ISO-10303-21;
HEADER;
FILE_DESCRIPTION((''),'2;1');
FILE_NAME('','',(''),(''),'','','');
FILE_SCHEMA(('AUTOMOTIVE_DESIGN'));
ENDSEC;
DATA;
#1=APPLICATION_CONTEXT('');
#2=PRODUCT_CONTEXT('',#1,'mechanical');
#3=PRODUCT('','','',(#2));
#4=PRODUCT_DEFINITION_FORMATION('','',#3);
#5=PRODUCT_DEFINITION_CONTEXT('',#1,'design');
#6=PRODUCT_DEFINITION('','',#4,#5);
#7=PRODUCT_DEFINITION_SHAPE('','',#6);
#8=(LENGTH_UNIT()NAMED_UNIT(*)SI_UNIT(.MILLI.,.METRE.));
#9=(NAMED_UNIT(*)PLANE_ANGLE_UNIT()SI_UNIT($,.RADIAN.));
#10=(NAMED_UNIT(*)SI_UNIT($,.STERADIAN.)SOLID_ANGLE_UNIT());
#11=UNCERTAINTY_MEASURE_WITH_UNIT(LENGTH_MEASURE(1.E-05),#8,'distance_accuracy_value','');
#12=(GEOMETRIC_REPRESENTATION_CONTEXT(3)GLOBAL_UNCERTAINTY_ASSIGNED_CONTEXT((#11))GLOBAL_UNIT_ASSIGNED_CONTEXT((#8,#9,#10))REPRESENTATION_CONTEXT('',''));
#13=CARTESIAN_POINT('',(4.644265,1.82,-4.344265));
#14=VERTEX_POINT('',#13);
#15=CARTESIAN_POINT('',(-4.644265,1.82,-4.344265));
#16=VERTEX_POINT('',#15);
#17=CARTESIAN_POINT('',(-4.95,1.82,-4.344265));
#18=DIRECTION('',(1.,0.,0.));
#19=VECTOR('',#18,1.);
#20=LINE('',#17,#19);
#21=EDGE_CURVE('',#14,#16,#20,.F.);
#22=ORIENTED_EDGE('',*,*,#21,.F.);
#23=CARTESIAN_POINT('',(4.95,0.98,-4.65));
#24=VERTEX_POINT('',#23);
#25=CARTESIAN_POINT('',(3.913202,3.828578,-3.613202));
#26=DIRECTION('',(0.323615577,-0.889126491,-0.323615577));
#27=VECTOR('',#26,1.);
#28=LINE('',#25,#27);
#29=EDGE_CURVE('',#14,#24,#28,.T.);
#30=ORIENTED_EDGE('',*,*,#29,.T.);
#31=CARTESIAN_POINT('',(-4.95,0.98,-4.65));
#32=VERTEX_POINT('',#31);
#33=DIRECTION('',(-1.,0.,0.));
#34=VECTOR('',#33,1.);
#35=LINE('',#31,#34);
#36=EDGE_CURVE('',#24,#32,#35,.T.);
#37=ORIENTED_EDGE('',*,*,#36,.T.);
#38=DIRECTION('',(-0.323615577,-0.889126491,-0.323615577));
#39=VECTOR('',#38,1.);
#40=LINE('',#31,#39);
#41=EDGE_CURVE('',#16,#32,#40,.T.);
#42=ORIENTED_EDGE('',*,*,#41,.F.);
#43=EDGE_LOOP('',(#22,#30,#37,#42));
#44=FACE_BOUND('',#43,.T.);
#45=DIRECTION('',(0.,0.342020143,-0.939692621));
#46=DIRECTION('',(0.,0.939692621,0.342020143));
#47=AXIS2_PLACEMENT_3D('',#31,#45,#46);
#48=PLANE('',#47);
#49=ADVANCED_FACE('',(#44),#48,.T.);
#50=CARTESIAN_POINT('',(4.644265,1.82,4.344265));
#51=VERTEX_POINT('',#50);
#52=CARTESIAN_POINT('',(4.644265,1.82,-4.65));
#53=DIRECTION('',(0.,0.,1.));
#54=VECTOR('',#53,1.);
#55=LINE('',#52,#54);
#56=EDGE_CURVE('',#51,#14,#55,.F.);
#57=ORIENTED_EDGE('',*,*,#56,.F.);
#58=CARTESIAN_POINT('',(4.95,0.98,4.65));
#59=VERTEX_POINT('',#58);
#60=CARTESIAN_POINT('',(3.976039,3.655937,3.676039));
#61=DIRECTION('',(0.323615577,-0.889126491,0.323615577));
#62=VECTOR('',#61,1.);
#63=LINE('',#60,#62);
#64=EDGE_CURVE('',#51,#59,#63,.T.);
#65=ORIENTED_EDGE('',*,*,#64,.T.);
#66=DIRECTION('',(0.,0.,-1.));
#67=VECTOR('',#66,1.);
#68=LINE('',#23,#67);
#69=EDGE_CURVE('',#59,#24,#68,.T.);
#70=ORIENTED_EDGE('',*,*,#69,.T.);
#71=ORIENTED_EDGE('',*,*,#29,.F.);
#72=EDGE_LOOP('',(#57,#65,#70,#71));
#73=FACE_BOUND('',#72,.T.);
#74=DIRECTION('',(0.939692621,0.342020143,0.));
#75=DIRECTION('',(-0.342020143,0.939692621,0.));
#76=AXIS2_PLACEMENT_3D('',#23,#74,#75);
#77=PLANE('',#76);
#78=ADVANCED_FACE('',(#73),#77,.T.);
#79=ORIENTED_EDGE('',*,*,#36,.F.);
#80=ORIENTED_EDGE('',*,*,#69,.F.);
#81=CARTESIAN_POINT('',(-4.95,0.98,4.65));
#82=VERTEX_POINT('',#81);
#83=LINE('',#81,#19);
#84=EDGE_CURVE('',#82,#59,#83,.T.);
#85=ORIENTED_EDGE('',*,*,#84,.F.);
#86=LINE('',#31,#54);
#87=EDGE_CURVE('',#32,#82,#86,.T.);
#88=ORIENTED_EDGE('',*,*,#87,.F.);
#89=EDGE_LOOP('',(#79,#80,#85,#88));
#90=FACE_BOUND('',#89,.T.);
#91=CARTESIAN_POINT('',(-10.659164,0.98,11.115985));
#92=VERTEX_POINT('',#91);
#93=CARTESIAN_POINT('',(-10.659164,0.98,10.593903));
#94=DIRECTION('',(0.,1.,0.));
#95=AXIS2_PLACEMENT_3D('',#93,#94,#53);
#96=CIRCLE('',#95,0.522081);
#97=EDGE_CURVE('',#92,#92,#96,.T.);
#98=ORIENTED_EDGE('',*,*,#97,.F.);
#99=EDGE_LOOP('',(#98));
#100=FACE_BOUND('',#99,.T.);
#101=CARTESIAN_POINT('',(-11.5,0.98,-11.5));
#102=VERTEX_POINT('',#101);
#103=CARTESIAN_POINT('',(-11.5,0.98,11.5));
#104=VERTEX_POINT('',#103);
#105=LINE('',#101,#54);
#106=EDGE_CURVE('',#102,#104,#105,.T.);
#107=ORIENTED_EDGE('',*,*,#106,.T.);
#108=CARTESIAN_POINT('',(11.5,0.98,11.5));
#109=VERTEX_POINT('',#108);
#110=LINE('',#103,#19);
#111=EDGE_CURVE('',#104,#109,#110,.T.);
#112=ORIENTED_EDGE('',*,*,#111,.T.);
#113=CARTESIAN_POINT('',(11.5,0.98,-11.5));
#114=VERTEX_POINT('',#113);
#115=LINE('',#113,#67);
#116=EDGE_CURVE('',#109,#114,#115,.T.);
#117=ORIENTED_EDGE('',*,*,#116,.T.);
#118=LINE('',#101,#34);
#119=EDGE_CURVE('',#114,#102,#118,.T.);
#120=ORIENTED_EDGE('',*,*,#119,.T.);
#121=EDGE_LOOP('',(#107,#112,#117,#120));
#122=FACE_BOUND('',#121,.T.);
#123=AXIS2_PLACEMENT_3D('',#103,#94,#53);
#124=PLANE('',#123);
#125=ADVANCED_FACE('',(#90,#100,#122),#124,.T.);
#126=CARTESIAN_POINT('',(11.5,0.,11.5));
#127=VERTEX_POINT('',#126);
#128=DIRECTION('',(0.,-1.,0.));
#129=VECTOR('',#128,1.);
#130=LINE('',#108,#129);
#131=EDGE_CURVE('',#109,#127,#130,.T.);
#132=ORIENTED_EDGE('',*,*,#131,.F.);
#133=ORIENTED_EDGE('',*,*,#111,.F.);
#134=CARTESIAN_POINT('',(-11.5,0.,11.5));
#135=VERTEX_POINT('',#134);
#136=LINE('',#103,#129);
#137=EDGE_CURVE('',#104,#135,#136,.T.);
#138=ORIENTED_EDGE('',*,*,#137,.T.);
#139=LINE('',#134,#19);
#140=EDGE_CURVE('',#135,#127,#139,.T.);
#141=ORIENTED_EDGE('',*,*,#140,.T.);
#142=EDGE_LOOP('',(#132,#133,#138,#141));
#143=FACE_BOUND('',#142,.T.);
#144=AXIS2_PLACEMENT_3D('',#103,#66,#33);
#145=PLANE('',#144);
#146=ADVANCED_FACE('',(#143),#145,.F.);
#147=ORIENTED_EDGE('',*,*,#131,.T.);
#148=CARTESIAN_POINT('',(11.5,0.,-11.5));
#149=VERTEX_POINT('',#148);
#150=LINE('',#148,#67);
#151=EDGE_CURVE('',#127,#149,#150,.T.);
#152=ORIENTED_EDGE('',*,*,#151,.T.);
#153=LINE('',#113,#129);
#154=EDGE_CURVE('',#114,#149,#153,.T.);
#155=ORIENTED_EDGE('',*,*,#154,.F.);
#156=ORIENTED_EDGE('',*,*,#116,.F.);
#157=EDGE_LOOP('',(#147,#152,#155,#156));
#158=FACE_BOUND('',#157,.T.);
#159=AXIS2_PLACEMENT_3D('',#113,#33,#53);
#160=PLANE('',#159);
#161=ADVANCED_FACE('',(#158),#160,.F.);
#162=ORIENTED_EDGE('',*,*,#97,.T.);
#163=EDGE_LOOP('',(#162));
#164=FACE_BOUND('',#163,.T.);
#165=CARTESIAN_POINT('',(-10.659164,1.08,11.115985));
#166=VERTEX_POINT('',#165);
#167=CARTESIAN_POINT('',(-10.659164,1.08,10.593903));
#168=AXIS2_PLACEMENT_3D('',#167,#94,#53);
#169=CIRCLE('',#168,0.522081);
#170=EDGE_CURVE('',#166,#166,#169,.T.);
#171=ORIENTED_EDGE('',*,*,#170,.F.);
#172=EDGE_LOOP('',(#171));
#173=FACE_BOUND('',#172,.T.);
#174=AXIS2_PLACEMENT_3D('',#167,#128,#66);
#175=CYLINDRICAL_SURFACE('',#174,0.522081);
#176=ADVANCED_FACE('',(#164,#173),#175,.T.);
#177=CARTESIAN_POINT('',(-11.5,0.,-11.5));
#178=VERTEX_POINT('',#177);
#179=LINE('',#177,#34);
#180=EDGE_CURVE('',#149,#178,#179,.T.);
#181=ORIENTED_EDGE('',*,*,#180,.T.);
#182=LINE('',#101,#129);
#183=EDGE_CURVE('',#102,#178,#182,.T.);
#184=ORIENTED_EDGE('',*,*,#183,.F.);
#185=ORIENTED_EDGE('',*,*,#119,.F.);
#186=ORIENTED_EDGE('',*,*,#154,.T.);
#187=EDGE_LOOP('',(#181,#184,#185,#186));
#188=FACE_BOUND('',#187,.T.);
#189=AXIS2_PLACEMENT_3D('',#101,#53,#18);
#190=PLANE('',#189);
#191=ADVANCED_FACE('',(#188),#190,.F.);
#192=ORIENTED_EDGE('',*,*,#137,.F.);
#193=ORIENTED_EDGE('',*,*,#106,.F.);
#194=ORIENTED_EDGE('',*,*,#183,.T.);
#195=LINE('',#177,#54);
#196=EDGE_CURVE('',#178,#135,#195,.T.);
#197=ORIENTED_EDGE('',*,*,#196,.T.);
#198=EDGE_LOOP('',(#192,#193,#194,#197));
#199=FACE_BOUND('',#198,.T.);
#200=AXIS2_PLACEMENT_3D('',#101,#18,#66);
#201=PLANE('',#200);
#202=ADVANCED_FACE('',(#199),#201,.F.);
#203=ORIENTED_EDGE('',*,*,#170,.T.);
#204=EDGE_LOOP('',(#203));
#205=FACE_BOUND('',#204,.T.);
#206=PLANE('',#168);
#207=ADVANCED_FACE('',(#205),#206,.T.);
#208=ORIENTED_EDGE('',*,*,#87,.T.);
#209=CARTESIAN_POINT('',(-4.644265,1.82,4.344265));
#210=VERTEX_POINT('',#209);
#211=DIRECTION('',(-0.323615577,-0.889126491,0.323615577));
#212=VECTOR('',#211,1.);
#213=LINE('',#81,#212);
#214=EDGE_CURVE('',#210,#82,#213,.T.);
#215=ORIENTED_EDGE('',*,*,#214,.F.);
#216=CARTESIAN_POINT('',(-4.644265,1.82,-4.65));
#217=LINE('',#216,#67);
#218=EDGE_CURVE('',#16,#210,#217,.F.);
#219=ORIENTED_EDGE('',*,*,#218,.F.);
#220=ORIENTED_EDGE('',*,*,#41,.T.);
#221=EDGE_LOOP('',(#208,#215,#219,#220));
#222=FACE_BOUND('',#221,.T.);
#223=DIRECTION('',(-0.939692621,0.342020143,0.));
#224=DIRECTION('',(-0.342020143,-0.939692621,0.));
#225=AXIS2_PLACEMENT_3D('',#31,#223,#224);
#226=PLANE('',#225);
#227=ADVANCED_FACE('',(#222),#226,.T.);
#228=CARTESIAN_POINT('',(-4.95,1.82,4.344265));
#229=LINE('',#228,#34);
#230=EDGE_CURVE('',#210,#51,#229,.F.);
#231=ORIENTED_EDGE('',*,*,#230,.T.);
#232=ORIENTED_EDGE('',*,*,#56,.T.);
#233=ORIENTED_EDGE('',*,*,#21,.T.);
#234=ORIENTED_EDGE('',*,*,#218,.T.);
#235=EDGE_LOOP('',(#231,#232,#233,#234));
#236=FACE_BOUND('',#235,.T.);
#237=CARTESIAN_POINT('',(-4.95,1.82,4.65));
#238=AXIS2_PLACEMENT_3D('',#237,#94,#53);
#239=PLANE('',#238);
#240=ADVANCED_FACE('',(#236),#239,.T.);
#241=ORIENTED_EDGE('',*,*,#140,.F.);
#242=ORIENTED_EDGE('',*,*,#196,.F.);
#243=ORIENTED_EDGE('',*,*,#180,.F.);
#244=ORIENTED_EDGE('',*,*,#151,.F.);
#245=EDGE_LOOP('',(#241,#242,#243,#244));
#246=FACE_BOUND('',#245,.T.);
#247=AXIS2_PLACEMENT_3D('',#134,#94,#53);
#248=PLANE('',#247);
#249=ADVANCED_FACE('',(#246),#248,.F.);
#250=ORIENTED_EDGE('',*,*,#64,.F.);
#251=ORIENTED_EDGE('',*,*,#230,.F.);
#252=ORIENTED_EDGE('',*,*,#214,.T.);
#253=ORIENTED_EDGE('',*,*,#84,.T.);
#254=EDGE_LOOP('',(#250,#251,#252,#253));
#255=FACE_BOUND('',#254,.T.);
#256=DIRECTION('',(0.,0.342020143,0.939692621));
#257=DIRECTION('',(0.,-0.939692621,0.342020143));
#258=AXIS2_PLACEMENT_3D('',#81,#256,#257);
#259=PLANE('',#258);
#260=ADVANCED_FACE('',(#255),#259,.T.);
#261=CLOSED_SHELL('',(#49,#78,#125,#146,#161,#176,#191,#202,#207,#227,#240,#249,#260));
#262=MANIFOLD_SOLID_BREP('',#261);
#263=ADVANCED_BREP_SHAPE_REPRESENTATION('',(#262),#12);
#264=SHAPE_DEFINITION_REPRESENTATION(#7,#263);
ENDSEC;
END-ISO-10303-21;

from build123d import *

# Parameters (mm, degrees)
SKETCH8_W            = 23
SKETCH8_H            = 23
BOSS_EXTRUDE4_DEPTH  = 0.98
SKETCH16_W           = 9.9
SKETCH16_H           = 9.3
BOSS_EXTRUDE11_DEPTH = 0.84
BOSS_EXTRUDE11_TAPER = 20
SKETCH17_R           = 0.522081484
BOSS_EXTRUDE12_DEPTH = 0.1


with BuildPart() as part:
    # Sketch8 → Boss-Extrude4 (new body)
    with BuildSketch(Plane(origin=(0, 0, 0), x_dir=(1, 0, 0), z_dir=(0, 1, 0))):
        Rectangle(SKETCH8_W, SKETCH8_H)
    extrude(amount=BOSS_EXTRUDE4_DEPTH)

    # Sketch16 → Boss-Extrude11 (add)
    with BuildSketch(Plane(origin=(0, 0.98, 0), x_dir=(1, 0, 0), z_dir=(0, 1, 0))):
        Rectangle(SKETCH16_W, SKETCH16_H)
    extrude(amount=BOSS_EXTRUDE11_DEPTH, taper=BOSS_EXTRUDE11_TAPER)

    # Sketch17 → Boss-Extrude12 (add)
    with BuildSketch(Plane(origin=(0, 0.98, 0), x_dir=(1, 0, 0), z_dir=(0, 1, 0))):
        with Locations((-10.659163623, -10.593903438)):
            Circle(SKETCH17_R)
    extrude(amount=BOSS_EXTRUDE12_DEPTH)


solid = part.part
